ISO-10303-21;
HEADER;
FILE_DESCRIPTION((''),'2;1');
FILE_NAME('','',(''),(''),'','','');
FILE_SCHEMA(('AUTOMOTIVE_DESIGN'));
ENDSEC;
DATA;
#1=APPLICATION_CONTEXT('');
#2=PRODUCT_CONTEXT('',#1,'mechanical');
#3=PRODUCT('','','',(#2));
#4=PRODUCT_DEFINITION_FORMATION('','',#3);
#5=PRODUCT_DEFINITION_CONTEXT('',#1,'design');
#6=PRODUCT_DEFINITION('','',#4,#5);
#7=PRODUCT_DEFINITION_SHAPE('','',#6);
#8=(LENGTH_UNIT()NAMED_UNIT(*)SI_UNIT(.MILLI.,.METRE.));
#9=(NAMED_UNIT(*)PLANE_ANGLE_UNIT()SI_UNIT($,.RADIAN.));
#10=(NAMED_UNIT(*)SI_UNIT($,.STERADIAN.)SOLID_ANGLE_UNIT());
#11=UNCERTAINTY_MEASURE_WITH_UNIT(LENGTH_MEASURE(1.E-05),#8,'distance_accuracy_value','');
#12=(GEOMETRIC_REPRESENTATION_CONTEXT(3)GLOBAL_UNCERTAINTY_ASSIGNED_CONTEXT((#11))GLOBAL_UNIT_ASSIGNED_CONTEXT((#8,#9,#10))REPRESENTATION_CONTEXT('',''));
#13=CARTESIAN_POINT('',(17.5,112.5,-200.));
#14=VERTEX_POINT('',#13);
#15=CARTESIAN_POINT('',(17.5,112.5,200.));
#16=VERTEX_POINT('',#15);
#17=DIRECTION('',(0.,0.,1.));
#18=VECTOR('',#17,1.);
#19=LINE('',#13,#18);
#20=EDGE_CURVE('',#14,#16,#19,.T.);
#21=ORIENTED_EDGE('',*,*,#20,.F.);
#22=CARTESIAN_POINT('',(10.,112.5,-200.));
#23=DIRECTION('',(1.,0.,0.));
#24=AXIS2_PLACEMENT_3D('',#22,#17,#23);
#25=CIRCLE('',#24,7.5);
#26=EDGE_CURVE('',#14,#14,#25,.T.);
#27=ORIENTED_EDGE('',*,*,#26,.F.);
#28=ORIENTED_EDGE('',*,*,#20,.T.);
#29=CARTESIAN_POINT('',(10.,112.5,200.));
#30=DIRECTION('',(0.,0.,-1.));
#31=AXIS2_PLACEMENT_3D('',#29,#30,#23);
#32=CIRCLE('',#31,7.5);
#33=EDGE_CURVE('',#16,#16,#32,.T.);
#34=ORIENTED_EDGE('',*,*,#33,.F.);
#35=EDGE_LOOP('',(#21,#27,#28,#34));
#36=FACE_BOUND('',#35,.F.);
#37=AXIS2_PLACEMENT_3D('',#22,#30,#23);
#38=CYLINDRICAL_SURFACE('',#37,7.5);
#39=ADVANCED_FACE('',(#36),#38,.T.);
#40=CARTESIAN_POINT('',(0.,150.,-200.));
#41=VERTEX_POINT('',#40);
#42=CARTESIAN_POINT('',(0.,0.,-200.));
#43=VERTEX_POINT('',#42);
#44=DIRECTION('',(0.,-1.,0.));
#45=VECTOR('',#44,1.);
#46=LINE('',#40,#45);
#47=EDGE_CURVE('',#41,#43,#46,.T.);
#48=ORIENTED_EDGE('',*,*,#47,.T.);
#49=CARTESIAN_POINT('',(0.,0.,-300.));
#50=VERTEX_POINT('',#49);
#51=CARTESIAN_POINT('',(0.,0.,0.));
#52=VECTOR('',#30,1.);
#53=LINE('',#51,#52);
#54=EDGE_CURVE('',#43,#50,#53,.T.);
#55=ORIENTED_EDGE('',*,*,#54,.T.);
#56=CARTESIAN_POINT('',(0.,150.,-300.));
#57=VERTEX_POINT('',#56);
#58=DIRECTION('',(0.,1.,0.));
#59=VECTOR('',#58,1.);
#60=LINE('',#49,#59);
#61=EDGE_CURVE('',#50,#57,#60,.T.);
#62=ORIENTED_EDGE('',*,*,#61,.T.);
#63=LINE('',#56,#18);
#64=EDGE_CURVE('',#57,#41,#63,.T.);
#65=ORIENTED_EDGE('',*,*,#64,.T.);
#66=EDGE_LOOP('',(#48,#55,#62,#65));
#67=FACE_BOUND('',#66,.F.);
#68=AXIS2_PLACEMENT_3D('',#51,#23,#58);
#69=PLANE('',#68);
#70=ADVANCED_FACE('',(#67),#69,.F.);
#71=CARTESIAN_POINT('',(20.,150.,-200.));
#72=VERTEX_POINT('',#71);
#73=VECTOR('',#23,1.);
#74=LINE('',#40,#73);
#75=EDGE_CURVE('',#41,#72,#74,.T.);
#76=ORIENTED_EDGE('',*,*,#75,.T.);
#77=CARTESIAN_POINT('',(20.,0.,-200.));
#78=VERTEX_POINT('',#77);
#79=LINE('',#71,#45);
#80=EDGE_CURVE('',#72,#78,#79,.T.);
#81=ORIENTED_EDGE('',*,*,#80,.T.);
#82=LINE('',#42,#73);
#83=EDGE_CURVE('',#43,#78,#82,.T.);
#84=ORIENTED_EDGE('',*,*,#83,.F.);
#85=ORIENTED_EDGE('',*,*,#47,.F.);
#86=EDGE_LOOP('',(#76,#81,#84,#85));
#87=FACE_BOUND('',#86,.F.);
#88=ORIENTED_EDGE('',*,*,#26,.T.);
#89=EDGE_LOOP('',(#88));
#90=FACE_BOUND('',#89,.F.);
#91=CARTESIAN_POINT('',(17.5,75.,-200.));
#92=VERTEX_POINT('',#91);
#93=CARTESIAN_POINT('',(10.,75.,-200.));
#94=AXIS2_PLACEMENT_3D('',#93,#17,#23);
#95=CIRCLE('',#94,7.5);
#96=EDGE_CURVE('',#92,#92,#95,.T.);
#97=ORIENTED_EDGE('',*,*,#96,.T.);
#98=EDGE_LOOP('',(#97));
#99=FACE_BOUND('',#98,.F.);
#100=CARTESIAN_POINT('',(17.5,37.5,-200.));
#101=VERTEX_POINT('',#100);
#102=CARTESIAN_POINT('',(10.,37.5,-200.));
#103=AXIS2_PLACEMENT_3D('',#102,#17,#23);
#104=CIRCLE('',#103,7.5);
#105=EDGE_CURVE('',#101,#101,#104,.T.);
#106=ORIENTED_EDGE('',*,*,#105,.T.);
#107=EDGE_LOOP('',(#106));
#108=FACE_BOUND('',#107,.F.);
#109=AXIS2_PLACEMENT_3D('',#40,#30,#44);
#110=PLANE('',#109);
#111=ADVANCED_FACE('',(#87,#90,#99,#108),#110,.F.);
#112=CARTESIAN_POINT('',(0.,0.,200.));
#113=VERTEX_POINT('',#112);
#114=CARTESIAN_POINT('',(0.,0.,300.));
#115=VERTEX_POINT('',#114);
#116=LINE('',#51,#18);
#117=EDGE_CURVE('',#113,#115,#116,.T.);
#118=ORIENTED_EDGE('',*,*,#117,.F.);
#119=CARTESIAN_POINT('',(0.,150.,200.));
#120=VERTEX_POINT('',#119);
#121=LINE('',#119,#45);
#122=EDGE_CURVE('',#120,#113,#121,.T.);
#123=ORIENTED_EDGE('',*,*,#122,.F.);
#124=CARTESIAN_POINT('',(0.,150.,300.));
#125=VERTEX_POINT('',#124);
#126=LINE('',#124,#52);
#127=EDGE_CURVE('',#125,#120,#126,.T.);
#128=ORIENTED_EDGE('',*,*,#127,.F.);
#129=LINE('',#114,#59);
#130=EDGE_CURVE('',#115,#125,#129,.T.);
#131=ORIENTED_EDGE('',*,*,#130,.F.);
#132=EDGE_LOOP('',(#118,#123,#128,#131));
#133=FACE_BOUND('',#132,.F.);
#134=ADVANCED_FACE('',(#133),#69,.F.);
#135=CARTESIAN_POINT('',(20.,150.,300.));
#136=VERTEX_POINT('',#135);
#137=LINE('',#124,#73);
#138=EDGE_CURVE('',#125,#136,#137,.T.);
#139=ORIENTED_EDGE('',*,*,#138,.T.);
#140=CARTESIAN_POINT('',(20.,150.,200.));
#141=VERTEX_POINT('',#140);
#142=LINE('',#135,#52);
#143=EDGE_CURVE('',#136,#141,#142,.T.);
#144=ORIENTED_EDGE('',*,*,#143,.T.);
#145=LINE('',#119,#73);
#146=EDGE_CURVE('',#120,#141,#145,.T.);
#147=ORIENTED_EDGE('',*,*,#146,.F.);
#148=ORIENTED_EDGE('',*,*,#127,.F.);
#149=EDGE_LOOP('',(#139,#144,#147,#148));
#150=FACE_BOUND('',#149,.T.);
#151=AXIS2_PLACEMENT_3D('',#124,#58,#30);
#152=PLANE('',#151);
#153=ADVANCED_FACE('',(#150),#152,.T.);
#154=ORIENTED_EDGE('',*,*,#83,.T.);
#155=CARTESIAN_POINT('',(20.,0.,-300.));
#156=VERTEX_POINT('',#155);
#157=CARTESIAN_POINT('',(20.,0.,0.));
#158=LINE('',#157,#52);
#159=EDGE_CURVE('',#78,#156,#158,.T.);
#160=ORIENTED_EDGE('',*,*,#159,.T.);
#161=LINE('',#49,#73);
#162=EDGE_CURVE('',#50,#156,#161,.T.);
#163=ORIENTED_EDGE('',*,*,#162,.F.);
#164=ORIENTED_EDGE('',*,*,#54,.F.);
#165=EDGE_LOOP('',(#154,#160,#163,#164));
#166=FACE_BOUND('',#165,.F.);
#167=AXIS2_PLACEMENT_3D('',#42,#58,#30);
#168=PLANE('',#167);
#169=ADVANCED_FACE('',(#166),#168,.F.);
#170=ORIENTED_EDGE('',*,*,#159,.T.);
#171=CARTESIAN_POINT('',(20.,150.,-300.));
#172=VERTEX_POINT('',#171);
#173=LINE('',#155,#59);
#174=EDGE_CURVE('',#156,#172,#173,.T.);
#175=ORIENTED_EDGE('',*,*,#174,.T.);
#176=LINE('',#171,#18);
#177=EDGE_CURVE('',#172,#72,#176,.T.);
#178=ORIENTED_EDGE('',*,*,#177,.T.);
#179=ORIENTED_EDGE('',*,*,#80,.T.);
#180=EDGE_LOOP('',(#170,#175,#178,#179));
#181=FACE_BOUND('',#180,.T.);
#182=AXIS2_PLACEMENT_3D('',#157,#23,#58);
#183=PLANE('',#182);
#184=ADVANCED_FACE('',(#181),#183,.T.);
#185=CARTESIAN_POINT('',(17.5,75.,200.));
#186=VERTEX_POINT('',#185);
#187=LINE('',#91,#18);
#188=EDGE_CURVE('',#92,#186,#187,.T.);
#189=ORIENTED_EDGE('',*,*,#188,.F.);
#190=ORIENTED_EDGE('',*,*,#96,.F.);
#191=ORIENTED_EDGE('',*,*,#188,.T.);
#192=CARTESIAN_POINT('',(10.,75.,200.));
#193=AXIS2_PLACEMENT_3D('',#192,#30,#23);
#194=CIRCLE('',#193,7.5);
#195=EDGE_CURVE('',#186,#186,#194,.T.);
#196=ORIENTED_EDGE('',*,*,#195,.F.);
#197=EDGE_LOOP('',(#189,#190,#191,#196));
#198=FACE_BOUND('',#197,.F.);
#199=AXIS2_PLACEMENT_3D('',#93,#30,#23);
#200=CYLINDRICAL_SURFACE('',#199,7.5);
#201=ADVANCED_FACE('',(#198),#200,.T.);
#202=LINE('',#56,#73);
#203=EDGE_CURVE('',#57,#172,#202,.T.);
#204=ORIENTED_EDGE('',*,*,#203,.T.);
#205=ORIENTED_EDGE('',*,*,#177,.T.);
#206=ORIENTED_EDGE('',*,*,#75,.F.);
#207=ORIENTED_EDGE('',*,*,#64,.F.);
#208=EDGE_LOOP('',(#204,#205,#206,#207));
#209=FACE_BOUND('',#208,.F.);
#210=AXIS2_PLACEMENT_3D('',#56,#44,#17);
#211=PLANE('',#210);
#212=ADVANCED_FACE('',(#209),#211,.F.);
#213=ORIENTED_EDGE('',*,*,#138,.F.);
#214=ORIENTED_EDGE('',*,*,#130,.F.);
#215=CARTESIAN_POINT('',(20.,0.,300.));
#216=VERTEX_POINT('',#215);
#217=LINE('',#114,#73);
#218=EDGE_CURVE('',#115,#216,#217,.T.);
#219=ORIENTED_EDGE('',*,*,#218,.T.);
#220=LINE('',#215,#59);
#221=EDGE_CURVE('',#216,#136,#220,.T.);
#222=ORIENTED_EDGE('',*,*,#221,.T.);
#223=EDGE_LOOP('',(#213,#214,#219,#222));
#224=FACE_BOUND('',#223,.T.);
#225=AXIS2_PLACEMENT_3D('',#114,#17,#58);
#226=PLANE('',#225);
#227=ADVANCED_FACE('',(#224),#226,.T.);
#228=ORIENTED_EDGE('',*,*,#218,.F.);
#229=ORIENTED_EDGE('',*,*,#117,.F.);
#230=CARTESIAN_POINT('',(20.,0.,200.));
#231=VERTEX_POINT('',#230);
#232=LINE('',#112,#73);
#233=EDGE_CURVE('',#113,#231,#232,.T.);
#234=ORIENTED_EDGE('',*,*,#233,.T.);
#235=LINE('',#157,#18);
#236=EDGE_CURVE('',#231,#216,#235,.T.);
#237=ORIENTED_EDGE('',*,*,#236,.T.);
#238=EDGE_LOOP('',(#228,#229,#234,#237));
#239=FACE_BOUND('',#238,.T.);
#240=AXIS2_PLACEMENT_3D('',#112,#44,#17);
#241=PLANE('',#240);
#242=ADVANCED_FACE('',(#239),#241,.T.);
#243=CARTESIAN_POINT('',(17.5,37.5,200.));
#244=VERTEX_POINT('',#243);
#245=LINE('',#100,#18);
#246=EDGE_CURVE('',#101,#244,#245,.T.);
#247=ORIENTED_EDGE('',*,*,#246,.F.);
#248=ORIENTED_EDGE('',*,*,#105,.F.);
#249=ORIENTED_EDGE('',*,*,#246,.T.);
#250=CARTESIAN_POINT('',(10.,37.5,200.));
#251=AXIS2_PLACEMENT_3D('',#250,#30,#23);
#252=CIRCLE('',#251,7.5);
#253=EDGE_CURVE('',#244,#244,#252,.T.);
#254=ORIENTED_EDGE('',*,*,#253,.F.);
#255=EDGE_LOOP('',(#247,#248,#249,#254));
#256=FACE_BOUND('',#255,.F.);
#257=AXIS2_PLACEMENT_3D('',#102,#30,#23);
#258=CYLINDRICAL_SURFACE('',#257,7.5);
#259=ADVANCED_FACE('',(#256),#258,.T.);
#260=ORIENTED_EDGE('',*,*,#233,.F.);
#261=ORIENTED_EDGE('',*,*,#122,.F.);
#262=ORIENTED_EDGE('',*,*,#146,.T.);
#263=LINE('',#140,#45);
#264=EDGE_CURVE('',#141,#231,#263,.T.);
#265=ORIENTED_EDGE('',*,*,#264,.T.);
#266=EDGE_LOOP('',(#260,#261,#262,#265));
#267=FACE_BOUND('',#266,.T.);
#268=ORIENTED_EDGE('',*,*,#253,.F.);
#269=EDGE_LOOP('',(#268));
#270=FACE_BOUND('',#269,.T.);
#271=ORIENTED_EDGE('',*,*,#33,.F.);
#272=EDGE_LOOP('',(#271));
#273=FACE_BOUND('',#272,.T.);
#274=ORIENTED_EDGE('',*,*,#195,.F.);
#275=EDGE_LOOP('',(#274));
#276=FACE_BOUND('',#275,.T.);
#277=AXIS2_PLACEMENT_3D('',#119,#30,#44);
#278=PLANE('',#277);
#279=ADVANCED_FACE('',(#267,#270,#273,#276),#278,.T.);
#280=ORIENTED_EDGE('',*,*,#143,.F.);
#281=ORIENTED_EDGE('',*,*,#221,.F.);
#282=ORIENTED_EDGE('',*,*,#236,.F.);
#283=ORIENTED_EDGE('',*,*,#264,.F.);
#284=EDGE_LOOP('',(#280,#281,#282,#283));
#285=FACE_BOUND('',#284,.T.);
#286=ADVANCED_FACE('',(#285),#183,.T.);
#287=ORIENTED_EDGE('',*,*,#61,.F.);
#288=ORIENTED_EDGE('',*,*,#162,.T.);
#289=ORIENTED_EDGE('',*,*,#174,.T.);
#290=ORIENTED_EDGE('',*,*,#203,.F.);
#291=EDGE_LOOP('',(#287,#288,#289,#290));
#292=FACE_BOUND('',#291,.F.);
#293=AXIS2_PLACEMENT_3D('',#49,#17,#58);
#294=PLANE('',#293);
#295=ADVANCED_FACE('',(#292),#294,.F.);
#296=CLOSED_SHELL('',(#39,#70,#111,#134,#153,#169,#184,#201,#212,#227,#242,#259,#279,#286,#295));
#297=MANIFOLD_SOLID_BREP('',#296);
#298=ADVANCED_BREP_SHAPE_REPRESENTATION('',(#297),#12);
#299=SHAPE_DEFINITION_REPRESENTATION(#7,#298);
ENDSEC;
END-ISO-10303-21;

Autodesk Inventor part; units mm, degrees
ref_plane "YZ Plane" through (0, 0, 0) normal (1, 0, 0) x (0, 1, 0)
ref_plane "XZ Plane" through (0, 0, 0) normal (0, 1, 0) x (-1, 0, 0)
ref_plane "XY Plane" through (0, 0, 0) normal (0, 0, 1) x (1, 0, 0)
sketch "Sketch1" plane through (0, 0, 0) normal (1, 0, 0) x (0, 1, 0)
  line L0 (0, 0) -> (0, -300)
  line L1 (0, -300) -> (0, 0)
  line L2 (0, 0) -> (0, 300)
  line L3 (0, 300) -> (150, 300)
  line L4 (150, 300) -> (150, 200)
  line L5 (150, 200) -> (0, 200)
  line L6 (0, 200) -> (0, 300)
  line L7 (0, -300) -> (150, -300)
  line L8 (150, -300) -> (150, -200)
  line L9 (150, -200) -> (0, -200)
  line L10 (0, -200) -> (0, -300)
  dimension "d0" = 300
  dimension "d1" = 300
  dimension "d2" = 150
  dimension "d3" = 100
  dimension "d4" = 150
  dimension "d5" = 100
extrude "Extrusion1" add sketch "Sketch1" along normal blind 20
sketch "Sketch2" plane through (0, 0, -200) normal (0, 0, 1) x (1, 0, 0)
  point P0 (0, 0)
sketch "Sketch6" plane through (0, 0, -200) normal (0, 0, 1) x (1, 0, 0)
  line L0 (0, 150) -> (20, 150) projected
  line L1 (10, 150) -> (10, 0)
  line L2 (10, 0) -> (10, 150)
  line L3 (10, 75) -> (10, 150)
  line L4 (10, 112.5) -> (10, 75)
  line L5 (10, 0) -> (10, 75)
  circle A0 centre (10, 112.5) radius 7.5
  circle A1 centre (10, 75) radius 7.5
  circle A2 centre (10, 37.5) radius 7.5
  point P0 (0, 0)
  dimension "d13" = 15
  dimension "d14" = 15
  dimension "d15" = 15
extrude "Extrusion3" add sketch "Sketch6" along normal blind 400.125
properties part number "2"
